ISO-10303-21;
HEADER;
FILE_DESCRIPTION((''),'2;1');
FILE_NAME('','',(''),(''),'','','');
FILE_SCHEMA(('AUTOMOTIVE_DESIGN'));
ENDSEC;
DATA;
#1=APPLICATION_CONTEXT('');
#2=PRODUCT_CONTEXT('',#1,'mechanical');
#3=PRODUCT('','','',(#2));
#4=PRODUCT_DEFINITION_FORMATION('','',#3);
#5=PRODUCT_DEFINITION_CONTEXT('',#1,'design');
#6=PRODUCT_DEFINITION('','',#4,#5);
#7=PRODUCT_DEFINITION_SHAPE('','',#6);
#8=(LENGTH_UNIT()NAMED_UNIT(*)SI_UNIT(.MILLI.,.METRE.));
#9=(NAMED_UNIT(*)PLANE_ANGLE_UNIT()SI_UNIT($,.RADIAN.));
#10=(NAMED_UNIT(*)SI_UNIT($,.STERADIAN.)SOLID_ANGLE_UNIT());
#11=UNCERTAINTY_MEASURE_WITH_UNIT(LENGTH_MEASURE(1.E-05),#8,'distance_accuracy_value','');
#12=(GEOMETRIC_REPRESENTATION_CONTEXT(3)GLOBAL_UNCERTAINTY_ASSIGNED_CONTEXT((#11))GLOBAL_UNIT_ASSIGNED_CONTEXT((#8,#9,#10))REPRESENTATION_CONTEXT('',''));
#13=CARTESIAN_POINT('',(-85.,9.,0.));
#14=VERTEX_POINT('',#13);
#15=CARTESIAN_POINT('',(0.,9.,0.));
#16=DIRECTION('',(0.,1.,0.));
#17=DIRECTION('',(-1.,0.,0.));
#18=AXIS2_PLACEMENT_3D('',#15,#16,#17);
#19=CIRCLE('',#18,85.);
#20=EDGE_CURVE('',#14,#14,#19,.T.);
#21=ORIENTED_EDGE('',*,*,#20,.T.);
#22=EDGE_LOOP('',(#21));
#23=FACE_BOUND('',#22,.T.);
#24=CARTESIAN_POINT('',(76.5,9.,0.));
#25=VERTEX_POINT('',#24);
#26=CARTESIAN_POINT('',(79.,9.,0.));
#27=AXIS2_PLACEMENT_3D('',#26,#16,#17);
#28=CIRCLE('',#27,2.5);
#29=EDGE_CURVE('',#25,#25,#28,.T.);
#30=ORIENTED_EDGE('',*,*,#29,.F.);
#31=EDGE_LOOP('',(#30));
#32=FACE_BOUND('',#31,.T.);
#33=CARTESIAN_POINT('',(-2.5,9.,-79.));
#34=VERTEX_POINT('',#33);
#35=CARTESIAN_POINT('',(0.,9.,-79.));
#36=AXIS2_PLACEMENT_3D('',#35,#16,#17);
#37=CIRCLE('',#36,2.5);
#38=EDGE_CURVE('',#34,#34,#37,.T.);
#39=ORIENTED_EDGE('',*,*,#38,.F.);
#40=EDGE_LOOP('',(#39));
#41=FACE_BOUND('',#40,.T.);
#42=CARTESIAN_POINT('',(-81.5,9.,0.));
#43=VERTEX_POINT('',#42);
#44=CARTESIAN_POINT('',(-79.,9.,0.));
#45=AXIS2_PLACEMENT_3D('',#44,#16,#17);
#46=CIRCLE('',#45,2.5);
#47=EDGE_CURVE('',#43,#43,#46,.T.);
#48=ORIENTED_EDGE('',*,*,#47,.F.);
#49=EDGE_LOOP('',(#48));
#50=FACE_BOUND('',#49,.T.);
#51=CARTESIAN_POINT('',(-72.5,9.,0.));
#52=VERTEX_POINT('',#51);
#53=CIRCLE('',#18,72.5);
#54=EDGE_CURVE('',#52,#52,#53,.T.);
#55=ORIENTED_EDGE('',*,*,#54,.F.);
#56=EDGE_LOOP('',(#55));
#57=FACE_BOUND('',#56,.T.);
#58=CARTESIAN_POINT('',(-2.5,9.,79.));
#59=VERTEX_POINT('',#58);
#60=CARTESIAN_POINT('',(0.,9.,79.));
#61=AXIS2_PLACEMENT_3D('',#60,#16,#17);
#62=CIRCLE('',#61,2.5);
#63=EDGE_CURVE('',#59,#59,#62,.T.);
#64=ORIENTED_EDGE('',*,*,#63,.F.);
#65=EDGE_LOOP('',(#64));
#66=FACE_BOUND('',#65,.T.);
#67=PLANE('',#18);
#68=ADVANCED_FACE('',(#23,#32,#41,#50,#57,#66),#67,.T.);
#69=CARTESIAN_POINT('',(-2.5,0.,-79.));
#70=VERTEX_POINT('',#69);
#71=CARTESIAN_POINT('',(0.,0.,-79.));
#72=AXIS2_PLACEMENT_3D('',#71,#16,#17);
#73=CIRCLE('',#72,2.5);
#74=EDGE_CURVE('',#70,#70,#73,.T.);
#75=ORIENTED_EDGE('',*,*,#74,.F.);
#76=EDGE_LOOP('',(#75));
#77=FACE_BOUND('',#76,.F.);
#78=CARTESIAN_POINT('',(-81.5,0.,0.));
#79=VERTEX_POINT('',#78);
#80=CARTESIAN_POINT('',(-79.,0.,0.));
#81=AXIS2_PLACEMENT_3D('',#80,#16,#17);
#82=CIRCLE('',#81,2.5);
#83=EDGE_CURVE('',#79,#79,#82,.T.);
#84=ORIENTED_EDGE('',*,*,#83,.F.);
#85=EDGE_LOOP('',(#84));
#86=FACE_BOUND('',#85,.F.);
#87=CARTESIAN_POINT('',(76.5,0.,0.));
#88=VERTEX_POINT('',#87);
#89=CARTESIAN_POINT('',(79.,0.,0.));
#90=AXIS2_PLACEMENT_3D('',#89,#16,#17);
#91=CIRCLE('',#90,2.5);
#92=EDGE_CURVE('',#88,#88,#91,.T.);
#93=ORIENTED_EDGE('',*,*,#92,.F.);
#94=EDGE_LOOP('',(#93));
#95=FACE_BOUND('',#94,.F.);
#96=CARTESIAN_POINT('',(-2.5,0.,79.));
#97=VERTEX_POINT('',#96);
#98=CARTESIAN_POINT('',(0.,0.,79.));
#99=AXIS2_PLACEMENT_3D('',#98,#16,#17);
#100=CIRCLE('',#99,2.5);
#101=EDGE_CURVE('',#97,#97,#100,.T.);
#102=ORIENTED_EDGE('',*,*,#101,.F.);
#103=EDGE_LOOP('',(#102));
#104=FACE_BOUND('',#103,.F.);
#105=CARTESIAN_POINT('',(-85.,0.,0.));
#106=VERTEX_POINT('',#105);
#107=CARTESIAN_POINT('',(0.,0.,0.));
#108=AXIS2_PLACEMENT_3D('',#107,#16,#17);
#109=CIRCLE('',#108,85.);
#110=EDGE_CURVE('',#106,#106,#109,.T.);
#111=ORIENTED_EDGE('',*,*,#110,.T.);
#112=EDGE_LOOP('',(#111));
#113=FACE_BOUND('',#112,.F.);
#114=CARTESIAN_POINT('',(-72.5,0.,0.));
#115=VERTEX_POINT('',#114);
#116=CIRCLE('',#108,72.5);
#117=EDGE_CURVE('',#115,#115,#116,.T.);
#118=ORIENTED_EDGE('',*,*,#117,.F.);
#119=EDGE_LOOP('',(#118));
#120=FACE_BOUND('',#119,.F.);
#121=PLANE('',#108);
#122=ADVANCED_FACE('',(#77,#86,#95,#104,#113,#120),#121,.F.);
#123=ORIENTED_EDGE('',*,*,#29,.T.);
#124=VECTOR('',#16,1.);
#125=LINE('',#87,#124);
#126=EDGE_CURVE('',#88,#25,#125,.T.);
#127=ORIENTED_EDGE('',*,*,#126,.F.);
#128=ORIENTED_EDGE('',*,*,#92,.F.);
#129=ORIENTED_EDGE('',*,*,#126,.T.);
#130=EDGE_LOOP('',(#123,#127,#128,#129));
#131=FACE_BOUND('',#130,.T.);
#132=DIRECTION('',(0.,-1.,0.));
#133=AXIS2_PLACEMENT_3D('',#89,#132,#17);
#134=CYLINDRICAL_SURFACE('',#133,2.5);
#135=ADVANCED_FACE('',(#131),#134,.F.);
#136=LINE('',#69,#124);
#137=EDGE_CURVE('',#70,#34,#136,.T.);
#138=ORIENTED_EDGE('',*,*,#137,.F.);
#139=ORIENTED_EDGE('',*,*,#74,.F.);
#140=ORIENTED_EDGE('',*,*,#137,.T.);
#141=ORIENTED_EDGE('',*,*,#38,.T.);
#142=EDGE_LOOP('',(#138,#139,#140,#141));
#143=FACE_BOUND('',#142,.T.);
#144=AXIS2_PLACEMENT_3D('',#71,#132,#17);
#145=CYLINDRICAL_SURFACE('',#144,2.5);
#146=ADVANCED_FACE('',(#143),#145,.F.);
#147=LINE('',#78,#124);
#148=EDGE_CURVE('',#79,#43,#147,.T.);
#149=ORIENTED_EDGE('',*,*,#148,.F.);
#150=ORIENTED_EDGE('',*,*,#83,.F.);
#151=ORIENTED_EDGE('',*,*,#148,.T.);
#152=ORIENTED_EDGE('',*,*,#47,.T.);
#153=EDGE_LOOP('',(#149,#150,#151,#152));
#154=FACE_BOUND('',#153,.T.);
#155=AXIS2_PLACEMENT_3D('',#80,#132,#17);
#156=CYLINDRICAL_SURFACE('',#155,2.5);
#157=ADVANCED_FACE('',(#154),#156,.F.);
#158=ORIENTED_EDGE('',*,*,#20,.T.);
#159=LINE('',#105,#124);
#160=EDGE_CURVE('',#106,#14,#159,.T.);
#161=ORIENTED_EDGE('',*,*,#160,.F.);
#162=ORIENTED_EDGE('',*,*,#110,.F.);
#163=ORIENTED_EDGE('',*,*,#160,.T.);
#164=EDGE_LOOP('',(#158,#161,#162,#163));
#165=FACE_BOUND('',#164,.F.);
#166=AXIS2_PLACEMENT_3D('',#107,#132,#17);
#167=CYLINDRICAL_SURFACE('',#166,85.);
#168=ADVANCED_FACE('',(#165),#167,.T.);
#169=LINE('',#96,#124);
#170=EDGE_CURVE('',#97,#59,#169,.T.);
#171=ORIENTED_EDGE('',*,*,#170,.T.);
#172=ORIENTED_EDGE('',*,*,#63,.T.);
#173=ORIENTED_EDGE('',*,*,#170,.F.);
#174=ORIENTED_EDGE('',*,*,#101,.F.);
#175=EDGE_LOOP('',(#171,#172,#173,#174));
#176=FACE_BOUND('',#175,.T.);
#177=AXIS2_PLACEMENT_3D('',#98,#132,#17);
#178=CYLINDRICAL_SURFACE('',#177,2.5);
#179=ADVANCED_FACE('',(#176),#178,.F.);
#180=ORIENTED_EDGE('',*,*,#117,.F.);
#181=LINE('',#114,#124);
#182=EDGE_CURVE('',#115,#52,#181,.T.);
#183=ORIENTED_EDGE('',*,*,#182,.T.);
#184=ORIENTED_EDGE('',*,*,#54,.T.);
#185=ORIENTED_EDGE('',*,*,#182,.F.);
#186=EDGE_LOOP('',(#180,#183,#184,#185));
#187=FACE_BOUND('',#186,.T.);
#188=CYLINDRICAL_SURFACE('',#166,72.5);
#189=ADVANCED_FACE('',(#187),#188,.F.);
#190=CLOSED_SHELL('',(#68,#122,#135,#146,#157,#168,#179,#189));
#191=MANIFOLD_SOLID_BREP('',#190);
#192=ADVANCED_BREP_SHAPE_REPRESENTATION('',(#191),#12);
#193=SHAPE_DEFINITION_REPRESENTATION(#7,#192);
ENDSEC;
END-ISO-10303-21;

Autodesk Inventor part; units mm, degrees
ref_plane "YZ Plane" through (0, 0, 0) normal (1, 0, 0) x (0, 1, 0)
ref_plane "XZ Plane" through (0, 0, 0) normal (0, 1, 0) x (-1, 0, 0)
ref_plane "XY Plane" through (0, 0, 0) normal (0, 0, 1) x (1, 0, 0)
sketch "スケッチ1" plane through (0, 0, 0) normal (0, 1, 0) x (-1, 0, 0)
  circle A0 centre (0, 0) radius 72.5
  circle A1 centre (0, 0) radius 85
  circle A2 centre (79, 0) radius 2.5
  circle A3 centre (-79, 0) radius 2.5
  circle A4 centre (0, 79) radius 2.5
  circle A5 centre (0, -79) radius 2.5
  dimension "d0" = 145
  dimension "d1" = 170
  dimension "d2" = 5
  dimension "d3" = 5
  dimension "d4" = 5
  dimension "d5" = 5
extrude "押し出し1" add sketch "スケッチ1" along normal blind 9
properties part number "ベアリング_145mm_inside"
